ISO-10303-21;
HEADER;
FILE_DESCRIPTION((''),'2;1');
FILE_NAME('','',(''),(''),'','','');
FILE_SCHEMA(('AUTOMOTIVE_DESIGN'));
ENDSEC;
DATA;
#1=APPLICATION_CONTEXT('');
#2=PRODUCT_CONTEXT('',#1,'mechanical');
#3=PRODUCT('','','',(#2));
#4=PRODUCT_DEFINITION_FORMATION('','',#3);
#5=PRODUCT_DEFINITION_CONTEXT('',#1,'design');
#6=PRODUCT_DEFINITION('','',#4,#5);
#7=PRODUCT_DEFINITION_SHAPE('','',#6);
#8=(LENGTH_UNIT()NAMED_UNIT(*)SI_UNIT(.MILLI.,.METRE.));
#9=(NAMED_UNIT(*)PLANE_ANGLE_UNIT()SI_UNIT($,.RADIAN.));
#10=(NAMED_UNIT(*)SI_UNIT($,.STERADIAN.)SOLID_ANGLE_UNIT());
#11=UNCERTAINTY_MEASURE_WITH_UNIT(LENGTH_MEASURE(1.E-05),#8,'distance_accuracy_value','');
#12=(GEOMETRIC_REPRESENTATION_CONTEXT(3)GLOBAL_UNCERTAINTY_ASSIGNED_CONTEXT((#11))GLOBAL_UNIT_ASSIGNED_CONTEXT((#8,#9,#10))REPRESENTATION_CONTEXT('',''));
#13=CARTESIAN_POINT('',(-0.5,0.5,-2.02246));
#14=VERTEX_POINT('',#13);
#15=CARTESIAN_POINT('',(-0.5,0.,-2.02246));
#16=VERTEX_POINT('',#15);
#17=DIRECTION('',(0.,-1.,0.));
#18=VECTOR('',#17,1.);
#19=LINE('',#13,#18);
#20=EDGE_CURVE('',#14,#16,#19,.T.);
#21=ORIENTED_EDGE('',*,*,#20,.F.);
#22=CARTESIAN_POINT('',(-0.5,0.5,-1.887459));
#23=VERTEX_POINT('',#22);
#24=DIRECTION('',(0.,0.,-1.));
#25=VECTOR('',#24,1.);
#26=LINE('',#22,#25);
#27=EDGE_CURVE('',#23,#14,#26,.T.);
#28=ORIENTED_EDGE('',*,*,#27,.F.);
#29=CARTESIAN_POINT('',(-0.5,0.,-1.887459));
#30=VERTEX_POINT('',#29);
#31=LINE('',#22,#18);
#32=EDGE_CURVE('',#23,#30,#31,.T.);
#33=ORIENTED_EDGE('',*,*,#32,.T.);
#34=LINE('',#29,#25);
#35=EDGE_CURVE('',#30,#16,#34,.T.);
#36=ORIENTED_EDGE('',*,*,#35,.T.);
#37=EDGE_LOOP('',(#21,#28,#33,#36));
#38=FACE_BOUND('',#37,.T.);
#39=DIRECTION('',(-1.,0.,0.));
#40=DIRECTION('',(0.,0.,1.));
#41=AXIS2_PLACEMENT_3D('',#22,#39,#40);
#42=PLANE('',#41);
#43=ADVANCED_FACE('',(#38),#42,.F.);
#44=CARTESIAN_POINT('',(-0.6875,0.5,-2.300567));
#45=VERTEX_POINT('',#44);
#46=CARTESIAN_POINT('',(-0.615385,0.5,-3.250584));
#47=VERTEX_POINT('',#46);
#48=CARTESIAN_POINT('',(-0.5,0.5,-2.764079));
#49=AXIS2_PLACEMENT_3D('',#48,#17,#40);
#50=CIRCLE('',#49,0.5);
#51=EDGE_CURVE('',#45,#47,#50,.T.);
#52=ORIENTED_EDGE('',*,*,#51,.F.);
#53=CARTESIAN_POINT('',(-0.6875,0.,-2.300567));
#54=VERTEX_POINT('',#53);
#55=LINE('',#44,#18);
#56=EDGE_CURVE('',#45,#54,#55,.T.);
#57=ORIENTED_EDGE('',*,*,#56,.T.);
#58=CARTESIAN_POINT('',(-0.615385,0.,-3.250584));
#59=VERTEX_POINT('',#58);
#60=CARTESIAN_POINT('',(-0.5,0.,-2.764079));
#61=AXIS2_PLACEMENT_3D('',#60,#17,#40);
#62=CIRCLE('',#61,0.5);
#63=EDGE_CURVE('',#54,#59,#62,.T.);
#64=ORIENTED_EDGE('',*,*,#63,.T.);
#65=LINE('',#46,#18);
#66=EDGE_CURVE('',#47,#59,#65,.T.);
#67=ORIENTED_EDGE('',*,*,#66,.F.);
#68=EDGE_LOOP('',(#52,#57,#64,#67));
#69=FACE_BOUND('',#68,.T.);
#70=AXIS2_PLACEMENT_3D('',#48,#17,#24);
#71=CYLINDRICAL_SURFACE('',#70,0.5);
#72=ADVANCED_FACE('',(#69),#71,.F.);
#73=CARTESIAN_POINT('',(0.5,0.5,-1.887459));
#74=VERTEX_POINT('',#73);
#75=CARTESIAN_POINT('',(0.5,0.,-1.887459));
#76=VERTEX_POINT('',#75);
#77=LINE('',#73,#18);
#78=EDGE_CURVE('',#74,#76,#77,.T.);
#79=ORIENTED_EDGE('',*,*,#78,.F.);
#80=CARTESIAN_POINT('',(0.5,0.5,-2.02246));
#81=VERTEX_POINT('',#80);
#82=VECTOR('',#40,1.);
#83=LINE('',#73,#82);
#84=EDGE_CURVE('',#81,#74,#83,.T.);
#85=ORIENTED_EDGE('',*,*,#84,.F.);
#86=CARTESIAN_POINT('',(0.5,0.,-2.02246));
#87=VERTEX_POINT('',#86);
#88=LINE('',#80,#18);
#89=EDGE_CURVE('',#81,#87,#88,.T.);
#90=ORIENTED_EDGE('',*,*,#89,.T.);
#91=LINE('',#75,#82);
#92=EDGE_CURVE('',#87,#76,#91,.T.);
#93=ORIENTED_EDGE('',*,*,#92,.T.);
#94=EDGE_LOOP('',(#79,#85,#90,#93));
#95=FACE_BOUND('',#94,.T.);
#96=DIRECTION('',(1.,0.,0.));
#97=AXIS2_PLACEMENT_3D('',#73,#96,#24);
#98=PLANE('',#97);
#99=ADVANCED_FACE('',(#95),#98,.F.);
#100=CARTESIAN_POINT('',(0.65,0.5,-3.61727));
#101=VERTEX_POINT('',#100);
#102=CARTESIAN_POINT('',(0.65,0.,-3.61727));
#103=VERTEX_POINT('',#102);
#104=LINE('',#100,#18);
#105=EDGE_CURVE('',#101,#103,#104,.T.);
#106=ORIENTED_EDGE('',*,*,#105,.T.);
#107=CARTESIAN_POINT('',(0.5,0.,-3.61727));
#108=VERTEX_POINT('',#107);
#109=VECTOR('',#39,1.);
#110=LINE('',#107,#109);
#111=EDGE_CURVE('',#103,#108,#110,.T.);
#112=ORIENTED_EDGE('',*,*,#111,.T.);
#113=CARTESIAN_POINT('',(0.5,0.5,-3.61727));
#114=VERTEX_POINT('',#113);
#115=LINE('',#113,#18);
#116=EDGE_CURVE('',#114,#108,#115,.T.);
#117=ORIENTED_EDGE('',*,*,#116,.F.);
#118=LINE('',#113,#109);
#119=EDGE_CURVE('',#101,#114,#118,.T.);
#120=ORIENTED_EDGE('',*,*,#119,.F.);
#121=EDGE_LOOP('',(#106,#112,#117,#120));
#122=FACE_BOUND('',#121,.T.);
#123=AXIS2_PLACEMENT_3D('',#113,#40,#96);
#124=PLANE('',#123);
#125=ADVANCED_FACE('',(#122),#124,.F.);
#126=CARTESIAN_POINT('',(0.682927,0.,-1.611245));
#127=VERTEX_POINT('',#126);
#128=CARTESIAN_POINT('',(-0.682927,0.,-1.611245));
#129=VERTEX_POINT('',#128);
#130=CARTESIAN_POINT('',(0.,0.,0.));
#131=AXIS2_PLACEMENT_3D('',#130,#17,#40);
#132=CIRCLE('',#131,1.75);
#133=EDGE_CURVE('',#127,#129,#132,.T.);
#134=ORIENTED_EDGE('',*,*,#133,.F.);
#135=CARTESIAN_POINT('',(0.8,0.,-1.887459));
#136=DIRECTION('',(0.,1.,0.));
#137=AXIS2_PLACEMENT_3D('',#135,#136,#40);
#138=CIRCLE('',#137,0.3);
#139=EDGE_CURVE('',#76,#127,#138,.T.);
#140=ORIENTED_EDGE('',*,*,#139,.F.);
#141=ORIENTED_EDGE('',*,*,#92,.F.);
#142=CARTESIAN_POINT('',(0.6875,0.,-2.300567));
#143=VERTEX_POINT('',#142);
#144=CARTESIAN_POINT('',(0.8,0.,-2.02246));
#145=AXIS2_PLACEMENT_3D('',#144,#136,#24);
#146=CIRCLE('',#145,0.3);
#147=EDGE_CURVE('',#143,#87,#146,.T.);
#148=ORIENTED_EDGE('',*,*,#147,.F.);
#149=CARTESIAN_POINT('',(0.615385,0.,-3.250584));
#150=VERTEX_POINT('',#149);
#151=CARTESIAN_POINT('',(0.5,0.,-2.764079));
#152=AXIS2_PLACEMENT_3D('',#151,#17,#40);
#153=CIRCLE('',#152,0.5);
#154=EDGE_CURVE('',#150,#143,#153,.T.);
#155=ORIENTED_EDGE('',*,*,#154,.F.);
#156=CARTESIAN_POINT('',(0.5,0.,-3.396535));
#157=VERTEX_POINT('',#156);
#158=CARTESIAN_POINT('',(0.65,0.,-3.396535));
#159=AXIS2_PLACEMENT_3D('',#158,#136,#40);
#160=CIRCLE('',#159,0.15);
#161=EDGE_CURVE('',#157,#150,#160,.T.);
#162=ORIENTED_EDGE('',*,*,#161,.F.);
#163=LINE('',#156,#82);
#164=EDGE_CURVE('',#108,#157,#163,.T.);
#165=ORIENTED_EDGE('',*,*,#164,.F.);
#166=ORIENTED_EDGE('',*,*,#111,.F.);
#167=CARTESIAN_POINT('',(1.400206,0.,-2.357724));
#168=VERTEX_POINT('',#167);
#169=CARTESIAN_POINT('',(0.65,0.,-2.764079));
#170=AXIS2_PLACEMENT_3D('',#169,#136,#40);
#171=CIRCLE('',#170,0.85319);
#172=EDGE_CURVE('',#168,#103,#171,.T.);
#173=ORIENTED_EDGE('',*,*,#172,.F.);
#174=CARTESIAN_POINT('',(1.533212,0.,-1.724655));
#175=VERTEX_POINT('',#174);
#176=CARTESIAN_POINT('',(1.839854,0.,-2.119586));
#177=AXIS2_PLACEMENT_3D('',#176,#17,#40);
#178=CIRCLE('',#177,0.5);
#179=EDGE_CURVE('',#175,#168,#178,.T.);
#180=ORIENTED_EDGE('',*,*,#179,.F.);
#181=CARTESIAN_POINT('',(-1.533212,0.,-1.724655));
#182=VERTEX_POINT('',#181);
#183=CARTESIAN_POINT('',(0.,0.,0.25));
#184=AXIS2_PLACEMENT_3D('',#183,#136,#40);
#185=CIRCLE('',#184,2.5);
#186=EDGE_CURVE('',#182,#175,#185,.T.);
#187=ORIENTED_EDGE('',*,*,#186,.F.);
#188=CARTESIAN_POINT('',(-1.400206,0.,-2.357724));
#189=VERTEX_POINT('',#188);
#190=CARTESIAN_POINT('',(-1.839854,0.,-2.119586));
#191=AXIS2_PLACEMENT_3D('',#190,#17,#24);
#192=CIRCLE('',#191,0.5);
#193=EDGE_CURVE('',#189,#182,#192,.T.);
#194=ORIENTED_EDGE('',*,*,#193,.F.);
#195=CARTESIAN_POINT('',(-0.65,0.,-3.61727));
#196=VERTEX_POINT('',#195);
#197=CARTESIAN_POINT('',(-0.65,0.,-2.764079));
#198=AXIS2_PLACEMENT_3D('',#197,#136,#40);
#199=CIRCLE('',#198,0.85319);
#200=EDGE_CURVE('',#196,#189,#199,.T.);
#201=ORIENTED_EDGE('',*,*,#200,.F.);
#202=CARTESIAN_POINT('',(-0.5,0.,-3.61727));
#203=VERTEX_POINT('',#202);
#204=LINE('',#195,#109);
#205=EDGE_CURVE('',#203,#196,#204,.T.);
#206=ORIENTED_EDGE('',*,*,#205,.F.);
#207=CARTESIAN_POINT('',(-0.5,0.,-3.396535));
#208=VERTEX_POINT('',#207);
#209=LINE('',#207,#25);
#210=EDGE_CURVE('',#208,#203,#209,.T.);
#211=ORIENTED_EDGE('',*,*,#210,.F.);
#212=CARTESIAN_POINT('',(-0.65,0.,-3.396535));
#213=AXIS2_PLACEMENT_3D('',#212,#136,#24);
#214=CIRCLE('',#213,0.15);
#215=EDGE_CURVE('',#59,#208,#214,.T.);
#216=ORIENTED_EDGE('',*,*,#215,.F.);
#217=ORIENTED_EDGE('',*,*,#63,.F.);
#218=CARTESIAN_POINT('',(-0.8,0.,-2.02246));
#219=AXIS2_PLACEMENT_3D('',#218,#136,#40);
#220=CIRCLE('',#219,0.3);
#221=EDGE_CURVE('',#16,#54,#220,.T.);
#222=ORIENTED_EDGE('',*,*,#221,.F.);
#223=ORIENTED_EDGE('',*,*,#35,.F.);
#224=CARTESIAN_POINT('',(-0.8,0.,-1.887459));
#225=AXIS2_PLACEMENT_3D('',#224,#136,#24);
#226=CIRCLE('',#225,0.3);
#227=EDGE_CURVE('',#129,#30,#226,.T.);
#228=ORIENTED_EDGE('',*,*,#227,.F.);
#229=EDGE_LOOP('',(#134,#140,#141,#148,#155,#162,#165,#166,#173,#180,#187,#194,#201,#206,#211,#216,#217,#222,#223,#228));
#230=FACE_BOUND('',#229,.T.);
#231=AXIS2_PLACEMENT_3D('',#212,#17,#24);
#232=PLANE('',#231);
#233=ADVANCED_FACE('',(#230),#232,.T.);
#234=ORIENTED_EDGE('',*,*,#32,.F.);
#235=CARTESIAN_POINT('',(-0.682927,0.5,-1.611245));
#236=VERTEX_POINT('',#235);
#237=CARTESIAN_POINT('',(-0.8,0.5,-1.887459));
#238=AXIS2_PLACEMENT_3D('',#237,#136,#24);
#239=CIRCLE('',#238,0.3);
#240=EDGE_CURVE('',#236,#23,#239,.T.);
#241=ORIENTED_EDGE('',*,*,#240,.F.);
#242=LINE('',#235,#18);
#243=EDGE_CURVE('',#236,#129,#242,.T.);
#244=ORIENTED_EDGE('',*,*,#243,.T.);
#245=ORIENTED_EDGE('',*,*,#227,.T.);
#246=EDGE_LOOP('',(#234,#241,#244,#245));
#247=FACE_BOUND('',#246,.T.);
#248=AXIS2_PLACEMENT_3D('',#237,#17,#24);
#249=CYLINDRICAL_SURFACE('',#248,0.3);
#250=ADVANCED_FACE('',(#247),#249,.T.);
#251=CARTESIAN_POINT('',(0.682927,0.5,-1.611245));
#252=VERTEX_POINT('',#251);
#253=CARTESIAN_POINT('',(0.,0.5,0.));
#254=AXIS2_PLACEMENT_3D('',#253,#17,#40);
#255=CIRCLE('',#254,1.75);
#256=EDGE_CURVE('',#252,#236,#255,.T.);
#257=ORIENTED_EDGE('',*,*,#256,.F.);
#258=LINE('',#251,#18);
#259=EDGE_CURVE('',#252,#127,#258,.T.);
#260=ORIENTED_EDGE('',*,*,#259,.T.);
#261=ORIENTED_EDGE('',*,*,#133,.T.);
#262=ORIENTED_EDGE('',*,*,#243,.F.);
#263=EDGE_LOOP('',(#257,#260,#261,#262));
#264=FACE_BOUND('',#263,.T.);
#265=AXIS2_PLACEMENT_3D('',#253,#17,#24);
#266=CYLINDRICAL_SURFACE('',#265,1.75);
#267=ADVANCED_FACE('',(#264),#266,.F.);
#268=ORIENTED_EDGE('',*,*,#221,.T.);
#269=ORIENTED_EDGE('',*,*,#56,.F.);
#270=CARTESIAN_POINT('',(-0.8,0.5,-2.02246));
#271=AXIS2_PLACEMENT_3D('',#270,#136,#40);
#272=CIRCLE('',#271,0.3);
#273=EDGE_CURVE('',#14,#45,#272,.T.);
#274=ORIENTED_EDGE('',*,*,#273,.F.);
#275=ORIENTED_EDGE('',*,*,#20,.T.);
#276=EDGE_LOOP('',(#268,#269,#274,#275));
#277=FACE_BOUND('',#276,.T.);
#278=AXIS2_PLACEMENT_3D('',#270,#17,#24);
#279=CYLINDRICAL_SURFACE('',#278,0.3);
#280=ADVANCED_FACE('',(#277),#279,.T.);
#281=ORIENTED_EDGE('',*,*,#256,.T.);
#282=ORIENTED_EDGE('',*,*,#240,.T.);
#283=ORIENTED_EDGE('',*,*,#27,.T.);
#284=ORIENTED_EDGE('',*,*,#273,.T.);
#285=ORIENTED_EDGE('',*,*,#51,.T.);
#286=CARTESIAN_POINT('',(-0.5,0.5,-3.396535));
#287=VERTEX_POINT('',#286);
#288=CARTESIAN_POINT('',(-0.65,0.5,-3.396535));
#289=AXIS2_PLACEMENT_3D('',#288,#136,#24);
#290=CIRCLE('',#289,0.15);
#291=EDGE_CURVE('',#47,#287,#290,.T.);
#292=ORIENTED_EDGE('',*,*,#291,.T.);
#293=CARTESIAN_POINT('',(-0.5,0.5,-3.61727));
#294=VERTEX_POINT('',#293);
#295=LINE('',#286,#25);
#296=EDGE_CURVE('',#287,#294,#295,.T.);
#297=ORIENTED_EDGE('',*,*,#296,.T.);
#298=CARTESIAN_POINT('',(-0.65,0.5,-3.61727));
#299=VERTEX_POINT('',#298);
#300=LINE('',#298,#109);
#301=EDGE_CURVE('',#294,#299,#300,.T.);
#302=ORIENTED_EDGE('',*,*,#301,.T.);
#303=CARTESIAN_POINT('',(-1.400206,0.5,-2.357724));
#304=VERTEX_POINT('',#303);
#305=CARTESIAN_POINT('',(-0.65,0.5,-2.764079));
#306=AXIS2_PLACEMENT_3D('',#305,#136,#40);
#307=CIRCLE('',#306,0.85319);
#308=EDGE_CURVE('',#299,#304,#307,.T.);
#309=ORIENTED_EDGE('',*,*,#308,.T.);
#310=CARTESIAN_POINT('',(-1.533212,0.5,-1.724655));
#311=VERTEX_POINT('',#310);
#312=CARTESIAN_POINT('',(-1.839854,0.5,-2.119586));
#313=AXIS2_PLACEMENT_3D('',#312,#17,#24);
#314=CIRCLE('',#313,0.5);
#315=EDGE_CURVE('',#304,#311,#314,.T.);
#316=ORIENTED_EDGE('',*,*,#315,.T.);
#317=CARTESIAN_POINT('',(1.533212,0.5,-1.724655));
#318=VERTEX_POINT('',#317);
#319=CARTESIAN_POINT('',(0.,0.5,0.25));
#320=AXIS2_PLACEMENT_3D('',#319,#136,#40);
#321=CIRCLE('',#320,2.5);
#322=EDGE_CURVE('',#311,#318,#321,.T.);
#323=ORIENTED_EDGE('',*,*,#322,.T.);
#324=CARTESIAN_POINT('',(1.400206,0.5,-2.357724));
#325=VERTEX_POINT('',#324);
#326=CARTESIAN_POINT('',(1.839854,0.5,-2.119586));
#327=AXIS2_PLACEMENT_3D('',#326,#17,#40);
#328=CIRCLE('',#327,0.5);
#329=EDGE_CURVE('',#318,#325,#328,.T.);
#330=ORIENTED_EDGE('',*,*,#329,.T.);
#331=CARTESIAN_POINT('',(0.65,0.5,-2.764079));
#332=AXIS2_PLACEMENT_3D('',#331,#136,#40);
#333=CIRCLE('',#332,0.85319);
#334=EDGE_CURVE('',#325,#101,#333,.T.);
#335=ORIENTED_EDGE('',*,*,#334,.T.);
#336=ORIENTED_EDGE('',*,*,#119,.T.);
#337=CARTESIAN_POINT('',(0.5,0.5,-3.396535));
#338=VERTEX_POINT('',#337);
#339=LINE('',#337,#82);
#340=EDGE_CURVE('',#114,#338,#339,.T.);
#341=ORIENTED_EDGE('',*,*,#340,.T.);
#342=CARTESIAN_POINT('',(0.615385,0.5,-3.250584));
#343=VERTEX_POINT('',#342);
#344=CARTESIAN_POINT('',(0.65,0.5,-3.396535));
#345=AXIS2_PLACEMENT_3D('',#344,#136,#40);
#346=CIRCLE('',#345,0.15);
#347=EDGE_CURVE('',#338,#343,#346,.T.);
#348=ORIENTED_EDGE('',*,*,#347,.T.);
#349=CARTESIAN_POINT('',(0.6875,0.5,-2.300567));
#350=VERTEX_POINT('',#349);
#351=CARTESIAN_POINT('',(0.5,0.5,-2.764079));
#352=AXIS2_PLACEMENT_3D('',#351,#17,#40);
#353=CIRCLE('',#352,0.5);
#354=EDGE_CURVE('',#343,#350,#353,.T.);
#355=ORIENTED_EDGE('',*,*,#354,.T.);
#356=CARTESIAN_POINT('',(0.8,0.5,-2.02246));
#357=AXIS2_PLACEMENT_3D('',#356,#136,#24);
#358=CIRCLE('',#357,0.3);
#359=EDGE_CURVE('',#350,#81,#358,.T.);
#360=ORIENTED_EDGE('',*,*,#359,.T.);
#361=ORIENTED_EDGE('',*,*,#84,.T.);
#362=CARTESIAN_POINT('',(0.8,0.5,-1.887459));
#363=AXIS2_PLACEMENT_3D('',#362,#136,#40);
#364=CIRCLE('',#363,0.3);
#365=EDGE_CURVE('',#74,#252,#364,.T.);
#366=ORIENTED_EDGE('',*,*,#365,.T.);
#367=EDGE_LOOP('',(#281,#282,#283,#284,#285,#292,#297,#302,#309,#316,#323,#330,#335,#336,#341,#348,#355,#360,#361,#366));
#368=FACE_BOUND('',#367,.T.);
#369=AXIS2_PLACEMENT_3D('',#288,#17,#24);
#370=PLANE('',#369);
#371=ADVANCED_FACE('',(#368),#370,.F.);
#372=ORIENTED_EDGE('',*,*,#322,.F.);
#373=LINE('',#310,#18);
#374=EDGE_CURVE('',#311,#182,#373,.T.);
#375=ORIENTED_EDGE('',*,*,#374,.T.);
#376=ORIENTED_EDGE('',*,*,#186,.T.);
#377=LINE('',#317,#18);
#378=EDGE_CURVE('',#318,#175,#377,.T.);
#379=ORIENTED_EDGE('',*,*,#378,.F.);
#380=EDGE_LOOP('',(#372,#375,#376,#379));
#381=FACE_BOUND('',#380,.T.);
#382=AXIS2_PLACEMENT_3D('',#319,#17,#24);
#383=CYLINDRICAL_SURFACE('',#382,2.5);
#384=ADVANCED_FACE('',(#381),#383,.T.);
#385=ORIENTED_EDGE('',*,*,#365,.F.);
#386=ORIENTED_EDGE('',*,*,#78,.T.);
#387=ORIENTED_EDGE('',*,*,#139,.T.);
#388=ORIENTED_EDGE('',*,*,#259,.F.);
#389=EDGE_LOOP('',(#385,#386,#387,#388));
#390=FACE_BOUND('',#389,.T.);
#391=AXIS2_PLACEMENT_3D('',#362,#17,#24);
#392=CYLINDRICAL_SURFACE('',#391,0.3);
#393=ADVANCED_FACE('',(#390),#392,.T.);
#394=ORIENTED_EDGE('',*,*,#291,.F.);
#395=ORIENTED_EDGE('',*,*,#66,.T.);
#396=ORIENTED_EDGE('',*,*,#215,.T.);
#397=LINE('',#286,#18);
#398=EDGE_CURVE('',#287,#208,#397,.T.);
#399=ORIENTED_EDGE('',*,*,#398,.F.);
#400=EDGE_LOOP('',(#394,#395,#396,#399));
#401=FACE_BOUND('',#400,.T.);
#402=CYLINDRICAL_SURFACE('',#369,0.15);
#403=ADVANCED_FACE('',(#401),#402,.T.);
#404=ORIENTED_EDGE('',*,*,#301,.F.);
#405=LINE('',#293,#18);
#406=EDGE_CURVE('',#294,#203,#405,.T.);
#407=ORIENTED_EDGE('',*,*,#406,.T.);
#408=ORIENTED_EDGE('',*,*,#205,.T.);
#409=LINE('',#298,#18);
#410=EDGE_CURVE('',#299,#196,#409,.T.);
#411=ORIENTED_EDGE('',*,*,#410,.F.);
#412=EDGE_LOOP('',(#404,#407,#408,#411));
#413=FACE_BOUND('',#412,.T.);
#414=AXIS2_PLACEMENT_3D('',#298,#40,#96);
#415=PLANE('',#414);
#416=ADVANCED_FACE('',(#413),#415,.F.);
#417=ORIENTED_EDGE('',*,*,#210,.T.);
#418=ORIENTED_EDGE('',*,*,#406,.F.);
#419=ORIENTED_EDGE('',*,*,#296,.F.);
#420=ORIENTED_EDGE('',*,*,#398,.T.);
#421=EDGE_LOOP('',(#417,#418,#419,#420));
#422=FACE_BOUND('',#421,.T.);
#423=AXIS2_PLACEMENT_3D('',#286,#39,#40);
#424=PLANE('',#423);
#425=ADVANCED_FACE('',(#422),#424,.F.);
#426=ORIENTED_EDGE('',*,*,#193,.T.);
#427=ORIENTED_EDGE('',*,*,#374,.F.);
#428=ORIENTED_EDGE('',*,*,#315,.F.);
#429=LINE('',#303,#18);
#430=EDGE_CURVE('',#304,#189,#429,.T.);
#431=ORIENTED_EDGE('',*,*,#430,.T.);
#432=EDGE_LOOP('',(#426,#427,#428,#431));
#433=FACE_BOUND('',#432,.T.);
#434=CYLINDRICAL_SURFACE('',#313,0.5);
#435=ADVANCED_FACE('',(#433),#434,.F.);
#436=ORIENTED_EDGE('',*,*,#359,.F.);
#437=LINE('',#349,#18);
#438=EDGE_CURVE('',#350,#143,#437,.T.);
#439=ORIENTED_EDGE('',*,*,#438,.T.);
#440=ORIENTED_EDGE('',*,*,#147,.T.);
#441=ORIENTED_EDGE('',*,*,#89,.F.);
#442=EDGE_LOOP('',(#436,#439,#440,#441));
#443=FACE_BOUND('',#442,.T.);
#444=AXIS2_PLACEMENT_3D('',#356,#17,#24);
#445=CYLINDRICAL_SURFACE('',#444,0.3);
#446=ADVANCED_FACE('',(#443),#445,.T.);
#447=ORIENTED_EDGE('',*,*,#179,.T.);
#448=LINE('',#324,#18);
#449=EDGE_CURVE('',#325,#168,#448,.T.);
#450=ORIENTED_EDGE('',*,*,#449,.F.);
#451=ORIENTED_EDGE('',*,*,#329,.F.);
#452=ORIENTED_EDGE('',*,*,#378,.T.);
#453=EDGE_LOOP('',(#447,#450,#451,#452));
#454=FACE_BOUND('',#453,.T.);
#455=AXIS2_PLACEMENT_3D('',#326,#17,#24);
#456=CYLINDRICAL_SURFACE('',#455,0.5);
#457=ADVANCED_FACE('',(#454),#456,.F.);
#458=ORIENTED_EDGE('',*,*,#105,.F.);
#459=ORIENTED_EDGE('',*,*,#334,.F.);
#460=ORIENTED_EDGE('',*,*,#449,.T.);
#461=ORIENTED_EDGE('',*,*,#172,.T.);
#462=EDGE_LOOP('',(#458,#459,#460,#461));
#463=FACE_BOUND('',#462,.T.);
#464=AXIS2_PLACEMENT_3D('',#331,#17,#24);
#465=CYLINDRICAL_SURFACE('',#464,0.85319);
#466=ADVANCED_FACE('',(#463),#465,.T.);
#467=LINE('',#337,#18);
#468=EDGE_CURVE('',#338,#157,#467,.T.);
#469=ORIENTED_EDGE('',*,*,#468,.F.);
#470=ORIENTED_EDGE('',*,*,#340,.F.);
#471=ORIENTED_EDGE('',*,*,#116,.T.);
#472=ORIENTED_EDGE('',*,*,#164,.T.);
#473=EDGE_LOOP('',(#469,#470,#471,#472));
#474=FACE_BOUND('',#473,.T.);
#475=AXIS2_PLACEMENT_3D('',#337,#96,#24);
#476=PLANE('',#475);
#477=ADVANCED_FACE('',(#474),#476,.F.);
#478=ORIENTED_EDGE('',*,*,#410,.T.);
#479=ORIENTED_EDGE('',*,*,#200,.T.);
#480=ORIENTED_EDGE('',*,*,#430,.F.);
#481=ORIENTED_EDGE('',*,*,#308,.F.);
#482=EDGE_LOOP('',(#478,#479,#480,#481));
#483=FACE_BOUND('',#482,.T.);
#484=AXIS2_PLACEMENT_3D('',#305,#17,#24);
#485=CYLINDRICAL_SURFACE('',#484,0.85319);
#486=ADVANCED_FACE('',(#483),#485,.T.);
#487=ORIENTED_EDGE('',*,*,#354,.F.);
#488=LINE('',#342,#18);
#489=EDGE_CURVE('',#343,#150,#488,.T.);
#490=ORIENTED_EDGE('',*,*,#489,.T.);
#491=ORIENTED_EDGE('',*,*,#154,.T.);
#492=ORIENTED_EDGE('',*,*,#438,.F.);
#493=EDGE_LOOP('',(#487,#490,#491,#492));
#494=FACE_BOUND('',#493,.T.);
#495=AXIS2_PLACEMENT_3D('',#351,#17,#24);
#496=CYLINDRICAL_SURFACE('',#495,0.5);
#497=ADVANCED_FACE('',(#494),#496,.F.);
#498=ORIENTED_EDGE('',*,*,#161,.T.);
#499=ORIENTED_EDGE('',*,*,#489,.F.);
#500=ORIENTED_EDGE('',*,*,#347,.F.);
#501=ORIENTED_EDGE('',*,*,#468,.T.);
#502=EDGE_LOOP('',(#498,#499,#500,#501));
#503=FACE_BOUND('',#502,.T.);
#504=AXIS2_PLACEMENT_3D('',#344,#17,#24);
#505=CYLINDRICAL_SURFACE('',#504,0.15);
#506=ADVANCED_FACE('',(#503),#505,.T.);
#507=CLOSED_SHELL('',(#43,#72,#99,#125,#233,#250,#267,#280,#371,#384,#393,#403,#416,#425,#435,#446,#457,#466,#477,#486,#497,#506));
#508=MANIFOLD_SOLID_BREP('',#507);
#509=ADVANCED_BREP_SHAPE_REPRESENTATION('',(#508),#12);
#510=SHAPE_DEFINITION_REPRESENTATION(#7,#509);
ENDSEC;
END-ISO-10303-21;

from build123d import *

# Parameters (mm, degrees)
EXTRUDE_1_DEPTH = 0.5


with BuildPart() as part:
    # Эскиз1 → Бобышка-Вытянуть1 (new body)
    with BuildSketch(Plane(origin=(0, 0, 0), x_dir=(1, 0, 0), z_dir=(0, 1, 0))):
        with BuildLine():
            Line((-0.5, 3.39653489), (-0.5, 3.617269734))
            Line((-0.5, 3.617269734), (-0.65, 3.617269734))
            ThreePointArc((-0.65, 3.617269734), (-1.383018397, 3.200677396), (-1.400206292, 2.357724418))
            ThreePointArc((-1.400206292, 2.357724418), (-1.350536641, 2.016782346), (-1.533211621, 1.724654938))
            ThreePointArc((-1.533211621, 1.724654938), (0, -2.75), (1.533211621, 1.724654938))
            ThreePointArc((1.533211621, 1.724654938), (1.350536641, 2.016782346), (1.400206292, 2.357724418))
            ThreePointArc((1.400206292, 2.357724418), (1.383018397, 3.200677396), (0.65, 3.617269734))
            Line((0.65, 3.617269734), (0.5, 3.617269734))
            Line((0.5, 3.617269734), (0.5, 3.39653489))
            ThreePointArc((0.5, 3.39653489), (0.532330319, 3.303508839), (0.615384615, 3.250583613))
            ThreePointArc((0.615384615, 3.250583613), (0.998565629, 2.801925275), (0.6875, 2.300566953))
            ThreePointArc((0.6875, 2.300566953), (0.551253141, 2.190164608), (0.5, 2.022459509))
            Line((0.5, 2.022459509), (0.5, 1.887458609))
            ThreePointArc((0.5, 1.887458609), (0.549878079, 1.72181132), (0.682926829, 1.611245154))
            ThreePointArc((0.682926829, 1.611245154), (0, -1.75), (-0.682926829, 1.611245154))
            ThreePointArc((-0.682926829, 1.611245154), (-0.549878079, 1.72181132), (-0.5, 1.887458609))
            Line((-0.5, 1.887458609), (-0.5, 2.022459509))
            ThreePointArc((-0.5, 2.022459509), (-0.551253141, 2.190164608), (-0.6875, 2.300566953))
            ThreePointArc((-0.6875, 2.300566953), (-0.998565629, 2.801925275), (-0.615384615, 3.250583613))
            ThreePointArc((-0.615384615, 3.250583613), (-0.532330319, 3.303508839), (-0.5, 3.39653489))
        make_face()
    extrude(amount=EXTRUDE_1_DEPTH)


solid = part.part
